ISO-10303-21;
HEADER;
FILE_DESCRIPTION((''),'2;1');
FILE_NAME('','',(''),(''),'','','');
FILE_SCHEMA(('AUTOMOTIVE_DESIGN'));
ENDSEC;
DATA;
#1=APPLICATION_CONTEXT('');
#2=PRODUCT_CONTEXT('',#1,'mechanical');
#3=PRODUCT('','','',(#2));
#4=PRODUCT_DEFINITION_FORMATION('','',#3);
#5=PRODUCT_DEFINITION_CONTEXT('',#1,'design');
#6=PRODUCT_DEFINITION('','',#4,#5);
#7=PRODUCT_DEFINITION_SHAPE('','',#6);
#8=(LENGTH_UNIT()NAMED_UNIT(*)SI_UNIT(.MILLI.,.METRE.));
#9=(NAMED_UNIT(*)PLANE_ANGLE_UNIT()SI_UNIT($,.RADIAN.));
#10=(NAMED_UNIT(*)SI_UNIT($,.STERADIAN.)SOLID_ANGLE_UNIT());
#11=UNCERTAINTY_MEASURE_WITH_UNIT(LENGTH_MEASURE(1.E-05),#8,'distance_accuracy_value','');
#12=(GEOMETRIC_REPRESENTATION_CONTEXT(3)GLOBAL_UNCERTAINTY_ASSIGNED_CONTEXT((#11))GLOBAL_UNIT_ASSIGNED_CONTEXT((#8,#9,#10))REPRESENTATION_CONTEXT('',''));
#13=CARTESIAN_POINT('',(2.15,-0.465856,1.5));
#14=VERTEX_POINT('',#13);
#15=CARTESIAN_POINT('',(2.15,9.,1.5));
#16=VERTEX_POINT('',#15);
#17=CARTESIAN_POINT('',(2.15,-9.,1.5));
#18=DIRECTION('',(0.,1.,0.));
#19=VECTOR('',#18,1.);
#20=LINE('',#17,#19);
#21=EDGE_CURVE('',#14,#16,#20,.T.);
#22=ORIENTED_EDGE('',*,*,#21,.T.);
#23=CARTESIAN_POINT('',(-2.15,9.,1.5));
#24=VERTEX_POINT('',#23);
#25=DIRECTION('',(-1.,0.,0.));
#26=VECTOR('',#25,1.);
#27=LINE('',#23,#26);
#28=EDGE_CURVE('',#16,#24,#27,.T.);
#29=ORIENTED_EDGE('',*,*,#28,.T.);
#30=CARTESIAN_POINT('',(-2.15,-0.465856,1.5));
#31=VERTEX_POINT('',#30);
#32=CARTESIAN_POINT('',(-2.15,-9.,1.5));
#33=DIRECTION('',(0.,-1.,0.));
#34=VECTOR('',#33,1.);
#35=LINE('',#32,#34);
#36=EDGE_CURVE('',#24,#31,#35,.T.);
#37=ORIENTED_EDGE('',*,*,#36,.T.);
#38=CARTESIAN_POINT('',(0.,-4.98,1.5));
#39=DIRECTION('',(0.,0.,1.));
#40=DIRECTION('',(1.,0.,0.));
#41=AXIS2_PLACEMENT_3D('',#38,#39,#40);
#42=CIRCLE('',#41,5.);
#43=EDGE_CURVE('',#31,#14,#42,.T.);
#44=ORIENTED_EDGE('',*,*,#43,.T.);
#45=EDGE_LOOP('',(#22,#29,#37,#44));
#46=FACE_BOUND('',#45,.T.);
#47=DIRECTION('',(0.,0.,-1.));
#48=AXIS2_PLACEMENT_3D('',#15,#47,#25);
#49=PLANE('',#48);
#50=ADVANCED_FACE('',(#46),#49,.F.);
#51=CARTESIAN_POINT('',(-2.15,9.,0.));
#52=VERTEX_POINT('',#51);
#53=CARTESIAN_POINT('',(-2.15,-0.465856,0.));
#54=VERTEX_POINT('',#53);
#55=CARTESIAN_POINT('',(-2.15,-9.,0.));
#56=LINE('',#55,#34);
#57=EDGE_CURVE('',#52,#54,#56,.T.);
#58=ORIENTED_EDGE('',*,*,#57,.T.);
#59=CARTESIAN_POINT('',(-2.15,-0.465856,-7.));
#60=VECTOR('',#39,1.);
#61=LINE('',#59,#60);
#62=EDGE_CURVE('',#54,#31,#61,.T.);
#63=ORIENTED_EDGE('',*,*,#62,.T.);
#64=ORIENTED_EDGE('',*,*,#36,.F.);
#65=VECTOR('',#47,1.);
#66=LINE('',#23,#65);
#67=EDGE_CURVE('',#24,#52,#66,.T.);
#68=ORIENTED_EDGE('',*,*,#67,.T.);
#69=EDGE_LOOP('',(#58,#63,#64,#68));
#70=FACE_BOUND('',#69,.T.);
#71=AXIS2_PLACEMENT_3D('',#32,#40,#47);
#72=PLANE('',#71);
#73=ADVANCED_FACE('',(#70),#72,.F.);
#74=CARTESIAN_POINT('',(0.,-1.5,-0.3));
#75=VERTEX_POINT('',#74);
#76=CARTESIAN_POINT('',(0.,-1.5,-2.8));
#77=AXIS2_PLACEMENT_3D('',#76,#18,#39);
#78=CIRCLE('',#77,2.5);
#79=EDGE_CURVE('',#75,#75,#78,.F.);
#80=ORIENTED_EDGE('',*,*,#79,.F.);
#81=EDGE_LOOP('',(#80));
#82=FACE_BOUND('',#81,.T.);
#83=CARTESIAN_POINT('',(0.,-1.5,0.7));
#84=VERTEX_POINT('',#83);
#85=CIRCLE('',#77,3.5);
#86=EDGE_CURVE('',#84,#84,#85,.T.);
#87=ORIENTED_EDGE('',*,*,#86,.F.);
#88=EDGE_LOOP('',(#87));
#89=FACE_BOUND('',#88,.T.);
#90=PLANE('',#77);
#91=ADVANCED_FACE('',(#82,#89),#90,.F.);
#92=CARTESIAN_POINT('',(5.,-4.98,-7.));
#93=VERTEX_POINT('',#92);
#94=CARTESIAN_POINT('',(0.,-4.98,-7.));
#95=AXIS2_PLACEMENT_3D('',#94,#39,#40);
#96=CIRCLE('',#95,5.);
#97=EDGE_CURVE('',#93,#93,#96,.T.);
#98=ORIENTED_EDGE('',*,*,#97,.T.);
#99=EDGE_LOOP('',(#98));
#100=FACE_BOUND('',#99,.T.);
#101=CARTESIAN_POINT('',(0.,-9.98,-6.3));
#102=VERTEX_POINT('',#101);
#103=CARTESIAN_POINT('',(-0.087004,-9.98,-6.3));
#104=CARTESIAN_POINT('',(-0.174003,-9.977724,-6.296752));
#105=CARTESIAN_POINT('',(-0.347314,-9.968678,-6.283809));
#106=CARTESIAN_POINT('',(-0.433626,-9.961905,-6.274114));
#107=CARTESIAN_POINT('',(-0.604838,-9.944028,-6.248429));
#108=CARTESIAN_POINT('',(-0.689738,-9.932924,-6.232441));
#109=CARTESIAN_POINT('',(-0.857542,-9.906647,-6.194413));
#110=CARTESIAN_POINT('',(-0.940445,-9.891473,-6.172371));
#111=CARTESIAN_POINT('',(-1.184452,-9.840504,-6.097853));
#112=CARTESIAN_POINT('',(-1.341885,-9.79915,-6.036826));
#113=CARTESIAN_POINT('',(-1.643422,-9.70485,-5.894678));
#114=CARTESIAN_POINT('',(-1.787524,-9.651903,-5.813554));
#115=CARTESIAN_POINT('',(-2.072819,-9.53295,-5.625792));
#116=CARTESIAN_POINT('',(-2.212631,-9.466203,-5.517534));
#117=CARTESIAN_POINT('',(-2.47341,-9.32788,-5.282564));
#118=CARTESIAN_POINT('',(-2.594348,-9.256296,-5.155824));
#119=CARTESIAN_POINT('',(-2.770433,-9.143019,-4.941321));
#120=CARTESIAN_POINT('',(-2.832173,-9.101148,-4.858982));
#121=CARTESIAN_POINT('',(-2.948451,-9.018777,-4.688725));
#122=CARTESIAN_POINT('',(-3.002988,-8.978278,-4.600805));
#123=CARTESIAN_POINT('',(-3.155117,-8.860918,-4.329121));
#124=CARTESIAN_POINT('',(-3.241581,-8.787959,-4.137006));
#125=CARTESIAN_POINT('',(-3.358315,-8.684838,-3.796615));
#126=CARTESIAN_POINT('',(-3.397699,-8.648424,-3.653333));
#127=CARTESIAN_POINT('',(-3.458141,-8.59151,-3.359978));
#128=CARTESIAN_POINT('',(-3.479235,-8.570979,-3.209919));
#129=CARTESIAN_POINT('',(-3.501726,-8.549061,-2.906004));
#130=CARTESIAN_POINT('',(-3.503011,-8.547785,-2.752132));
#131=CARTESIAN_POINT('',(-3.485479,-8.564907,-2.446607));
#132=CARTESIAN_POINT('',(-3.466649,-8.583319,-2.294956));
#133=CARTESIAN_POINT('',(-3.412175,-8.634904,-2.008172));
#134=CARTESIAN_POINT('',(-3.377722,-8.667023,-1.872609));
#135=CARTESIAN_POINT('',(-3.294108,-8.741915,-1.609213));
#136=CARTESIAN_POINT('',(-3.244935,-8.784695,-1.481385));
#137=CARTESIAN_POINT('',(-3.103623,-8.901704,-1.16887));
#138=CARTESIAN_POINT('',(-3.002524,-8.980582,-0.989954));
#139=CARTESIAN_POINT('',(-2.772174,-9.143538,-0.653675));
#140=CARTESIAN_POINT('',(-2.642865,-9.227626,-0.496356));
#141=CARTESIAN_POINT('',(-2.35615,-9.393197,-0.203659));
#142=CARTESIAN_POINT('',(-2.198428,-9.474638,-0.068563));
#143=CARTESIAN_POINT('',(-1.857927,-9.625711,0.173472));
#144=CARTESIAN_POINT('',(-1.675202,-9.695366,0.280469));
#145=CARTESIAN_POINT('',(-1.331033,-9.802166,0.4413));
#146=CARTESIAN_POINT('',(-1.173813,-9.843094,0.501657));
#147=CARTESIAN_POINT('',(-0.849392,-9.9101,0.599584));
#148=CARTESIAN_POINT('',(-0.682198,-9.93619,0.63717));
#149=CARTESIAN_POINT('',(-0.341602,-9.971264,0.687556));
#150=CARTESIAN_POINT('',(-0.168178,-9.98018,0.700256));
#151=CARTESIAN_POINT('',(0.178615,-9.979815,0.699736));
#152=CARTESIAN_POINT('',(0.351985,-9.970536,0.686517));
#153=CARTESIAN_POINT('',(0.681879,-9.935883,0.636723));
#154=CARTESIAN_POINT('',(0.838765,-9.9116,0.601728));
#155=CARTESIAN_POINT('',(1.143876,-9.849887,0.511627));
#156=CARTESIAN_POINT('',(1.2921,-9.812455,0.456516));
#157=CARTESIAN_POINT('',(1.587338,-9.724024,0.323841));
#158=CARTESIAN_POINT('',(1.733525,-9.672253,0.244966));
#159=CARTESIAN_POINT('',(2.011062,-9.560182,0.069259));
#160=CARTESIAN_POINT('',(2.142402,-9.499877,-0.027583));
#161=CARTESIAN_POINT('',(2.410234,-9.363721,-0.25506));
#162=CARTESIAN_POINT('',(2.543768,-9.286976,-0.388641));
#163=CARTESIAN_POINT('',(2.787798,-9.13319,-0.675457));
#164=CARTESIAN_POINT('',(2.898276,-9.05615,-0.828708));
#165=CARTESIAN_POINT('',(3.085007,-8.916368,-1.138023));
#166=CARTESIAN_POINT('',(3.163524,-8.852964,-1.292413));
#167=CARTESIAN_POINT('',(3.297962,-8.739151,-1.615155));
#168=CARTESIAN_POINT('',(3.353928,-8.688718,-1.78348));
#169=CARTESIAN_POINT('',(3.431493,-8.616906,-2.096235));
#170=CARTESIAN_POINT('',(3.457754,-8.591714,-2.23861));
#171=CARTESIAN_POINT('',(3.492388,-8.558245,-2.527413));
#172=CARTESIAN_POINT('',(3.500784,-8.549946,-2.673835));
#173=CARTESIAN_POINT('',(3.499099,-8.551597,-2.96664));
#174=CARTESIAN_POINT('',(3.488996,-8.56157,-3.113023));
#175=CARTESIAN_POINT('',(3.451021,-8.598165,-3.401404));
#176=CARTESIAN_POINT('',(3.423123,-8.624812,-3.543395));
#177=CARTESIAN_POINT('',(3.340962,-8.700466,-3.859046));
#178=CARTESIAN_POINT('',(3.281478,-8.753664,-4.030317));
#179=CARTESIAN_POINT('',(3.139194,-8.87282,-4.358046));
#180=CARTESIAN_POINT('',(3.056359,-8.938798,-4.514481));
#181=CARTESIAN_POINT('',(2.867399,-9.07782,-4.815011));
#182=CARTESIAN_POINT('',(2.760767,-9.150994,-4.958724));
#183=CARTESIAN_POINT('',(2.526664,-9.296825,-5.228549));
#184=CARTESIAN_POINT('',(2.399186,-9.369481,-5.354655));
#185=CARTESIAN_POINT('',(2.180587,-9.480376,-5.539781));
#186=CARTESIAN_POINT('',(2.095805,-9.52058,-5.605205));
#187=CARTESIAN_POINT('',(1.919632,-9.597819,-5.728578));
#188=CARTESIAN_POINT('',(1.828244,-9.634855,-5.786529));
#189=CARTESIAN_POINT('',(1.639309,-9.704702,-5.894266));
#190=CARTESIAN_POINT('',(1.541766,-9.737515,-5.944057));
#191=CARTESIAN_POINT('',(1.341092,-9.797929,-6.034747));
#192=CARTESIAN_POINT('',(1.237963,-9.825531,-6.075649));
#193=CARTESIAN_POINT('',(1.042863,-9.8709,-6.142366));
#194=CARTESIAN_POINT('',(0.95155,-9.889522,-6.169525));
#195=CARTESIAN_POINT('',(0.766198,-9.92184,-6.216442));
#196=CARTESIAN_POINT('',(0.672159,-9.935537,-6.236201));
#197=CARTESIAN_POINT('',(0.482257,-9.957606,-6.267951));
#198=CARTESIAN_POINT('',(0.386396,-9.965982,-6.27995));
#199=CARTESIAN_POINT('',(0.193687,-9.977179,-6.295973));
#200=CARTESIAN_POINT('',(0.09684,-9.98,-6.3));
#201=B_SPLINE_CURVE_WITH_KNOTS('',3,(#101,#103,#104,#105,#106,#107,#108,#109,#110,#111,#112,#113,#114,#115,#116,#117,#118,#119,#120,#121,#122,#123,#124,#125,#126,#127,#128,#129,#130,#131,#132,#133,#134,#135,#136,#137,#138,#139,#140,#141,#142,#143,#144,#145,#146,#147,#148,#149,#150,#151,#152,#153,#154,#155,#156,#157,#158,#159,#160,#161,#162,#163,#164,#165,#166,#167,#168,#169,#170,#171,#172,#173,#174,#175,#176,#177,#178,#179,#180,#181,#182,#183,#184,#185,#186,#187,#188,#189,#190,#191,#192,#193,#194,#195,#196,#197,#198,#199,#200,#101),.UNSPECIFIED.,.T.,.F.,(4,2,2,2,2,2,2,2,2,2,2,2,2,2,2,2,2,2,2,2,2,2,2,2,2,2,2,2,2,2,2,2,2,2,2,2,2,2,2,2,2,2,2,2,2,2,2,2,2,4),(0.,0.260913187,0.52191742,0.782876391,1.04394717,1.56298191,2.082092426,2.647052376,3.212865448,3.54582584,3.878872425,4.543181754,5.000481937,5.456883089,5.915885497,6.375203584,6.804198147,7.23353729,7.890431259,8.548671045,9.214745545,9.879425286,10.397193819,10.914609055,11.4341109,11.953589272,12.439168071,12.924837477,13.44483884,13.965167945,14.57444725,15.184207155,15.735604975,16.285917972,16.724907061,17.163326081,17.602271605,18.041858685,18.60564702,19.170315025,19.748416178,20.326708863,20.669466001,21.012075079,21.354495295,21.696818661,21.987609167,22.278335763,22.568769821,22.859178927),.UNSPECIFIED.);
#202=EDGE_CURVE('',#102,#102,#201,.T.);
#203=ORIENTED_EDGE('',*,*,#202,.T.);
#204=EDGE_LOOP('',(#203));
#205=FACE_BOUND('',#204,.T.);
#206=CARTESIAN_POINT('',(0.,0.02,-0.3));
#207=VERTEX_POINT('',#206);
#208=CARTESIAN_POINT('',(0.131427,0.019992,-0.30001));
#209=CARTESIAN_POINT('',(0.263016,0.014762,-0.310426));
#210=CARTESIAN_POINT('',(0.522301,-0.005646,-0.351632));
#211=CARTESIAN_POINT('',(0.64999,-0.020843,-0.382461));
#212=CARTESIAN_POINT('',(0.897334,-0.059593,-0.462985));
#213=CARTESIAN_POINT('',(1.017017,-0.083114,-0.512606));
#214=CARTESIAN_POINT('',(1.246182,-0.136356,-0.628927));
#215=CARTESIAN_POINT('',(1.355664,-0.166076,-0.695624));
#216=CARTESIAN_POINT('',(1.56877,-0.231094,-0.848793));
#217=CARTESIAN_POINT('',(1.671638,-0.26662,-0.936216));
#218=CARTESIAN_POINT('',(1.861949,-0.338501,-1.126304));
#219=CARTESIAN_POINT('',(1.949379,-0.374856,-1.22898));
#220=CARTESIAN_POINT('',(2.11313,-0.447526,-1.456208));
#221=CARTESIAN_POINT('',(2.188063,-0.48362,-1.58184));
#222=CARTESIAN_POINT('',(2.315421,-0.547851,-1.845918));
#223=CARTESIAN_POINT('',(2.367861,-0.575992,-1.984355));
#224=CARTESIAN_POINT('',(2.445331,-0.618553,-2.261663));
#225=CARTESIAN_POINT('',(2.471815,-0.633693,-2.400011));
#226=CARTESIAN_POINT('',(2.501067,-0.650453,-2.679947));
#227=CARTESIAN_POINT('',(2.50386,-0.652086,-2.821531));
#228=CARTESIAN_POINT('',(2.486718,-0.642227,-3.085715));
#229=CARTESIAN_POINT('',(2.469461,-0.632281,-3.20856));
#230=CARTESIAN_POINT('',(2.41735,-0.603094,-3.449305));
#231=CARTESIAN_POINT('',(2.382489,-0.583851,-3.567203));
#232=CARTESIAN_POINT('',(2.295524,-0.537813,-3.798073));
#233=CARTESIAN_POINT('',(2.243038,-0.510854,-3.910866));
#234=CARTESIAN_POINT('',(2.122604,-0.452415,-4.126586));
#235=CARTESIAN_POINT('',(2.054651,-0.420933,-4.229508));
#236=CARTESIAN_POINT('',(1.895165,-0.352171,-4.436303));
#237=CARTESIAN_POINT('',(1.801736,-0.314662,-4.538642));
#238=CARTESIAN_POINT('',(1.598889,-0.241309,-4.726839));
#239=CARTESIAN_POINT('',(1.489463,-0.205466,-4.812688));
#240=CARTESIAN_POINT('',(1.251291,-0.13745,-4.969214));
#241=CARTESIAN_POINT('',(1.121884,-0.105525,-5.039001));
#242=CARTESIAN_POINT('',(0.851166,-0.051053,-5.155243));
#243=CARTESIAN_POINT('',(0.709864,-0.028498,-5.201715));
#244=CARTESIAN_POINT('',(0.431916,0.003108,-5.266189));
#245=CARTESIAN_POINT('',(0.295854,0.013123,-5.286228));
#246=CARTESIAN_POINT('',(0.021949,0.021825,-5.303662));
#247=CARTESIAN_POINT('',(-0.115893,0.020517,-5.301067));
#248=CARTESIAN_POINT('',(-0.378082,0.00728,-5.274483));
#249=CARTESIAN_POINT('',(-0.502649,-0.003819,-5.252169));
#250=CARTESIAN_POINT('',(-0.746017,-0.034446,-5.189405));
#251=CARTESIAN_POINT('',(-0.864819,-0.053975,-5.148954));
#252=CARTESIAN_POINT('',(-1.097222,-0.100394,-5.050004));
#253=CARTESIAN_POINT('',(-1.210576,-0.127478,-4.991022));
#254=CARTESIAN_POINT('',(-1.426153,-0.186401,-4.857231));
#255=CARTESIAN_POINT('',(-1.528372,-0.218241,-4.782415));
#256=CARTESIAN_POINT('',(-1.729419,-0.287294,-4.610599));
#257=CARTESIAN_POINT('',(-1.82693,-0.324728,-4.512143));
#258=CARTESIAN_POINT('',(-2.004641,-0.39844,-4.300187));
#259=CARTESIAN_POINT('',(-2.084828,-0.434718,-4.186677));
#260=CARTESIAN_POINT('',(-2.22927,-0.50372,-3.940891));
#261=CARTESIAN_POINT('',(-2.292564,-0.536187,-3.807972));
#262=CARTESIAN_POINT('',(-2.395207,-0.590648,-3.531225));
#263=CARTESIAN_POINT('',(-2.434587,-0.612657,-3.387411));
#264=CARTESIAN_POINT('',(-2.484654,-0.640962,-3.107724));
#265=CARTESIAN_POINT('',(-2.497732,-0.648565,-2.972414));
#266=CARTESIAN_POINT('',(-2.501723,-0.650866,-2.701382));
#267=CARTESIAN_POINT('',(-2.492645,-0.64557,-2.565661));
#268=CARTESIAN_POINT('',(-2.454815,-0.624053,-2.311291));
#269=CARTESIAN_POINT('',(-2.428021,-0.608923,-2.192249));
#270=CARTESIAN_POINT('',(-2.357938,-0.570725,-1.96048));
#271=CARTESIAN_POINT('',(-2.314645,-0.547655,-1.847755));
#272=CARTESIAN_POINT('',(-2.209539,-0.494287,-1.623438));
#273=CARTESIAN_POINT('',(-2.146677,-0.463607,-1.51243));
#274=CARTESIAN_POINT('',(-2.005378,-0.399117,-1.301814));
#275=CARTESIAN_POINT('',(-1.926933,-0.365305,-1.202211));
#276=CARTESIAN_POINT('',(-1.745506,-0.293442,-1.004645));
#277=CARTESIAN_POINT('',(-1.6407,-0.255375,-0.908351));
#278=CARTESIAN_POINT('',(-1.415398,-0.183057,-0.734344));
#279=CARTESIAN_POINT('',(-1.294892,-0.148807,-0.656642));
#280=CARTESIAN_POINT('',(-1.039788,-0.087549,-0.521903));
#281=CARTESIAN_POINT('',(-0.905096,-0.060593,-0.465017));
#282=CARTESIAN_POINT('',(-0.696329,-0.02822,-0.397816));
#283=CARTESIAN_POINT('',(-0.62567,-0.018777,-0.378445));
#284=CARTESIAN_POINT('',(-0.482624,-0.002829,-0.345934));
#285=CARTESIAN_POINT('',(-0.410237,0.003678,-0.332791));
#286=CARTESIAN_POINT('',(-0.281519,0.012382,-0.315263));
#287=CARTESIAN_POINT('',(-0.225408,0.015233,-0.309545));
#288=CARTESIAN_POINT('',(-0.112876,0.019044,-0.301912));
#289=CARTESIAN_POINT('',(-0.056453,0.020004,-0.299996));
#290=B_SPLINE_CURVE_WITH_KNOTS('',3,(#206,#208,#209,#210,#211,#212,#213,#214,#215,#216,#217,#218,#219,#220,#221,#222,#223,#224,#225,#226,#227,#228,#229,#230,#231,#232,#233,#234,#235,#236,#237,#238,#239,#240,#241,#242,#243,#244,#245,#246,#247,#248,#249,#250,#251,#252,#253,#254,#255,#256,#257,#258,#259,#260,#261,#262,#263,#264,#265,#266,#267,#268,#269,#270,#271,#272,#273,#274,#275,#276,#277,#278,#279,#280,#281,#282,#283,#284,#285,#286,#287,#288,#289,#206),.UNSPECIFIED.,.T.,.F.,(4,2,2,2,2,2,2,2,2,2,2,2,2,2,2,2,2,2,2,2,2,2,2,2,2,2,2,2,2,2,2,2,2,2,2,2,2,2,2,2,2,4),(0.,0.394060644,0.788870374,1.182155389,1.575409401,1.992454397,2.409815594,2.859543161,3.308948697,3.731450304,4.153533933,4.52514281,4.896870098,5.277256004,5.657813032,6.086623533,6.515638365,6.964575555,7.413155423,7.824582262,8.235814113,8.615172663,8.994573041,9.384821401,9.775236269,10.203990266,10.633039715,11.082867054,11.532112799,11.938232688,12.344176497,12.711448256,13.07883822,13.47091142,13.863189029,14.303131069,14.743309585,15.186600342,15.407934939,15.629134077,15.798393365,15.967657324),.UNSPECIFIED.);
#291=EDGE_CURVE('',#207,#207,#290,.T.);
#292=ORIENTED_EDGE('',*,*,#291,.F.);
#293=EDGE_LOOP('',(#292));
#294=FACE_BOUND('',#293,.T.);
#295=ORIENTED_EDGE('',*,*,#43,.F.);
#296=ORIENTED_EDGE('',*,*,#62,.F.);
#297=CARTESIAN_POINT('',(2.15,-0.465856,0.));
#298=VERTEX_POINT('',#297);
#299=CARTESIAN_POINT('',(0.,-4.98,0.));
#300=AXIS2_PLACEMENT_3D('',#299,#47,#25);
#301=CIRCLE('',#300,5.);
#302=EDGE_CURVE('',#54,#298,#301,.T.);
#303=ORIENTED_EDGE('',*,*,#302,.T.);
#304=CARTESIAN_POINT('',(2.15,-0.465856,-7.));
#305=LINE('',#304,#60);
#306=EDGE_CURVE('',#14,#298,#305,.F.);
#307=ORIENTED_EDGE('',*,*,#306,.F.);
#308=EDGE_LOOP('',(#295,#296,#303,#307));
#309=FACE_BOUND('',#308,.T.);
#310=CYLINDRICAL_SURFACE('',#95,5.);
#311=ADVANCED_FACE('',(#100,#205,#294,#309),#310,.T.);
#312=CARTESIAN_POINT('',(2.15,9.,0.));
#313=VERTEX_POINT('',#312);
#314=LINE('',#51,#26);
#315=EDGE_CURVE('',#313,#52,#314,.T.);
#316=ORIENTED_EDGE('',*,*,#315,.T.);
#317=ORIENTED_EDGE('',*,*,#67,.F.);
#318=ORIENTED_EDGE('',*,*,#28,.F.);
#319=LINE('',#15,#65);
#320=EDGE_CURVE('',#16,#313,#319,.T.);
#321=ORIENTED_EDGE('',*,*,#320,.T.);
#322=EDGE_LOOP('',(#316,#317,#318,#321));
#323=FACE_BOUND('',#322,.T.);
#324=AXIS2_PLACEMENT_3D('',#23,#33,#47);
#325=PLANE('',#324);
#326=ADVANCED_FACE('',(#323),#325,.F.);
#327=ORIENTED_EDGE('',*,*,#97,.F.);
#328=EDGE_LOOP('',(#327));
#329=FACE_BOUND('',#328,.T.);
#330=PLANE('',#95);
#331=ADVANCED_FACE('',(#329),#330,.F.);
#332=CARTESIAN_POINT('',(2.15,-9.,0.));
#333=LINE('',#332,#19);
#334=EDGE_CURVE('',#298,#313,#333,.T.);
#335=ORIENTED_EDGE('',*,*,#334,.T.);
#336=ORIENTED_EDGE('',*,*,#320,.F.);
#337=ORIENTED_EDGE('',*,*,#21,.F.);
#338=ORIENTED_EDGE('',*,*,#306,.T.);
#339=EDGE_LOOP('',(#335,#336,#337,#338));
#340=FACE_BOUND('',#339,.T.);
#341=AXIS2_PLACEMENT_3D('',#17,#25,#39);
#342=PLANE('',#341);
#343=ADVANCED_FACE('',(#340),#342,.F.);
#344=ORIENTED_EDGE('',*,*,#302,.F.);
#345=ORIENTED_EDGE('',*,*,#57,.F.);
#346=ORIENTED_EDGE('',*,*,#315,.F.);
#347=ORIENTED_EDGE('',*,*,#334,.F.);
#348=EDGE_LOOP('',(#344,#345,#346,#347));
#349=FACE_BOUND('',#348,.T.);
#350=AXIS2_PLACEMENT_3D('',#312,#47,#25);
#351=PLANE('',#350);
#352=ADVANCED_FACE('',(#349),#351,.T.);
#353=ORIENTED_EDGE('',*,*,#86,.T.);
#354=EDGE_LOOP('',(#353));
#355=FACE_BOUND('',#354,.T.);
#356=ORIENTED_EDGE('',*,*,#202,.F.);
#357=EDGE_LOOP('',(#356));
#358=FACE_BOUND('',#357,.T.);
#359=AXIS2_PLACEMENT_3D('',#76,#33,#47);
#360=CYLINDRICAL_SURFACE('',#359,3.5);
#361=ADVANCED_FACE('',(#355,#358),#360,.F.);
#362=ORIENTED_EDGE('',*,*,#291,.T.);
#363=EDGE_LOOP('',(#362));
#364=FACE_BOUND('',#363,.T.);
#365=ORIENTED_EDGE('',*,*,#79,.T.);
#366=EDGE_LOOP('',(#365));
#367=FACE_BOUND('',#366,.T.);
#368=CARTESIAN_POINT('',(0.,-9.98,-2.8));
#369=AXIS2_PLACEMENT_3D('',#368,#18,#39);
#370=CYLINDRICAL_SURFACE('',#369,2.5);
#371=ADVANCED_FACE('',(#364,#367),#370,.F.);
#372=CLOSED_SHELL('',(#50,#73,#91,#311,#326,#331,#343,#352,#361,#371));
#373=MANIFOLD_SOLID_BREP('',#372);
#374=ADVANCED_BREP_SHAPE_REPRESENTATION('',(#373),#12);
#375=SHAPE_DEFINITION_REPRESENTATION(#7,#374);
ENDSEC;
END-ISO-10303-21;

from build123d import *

# Parameters (mm, degrees)
SKETCH_1_W               = 4.3
SKETCH_1_H               = 18
EXTRUDE_1_DEPTH          = 1.5
SKETCH_4_W               = 4.3
SKETCH_4_H               = 1.948435562
CUT_EXTRUDE_1_DEPTH      = 10.374033283
SKETCH_2_R               = 5
EXTRUDE_2_DEPTH          = 8.5
SKETCH_5_R               = 2.5
CUT_EXTRUDE_2_DEPTH      = 21.838435642
CUT_EXTRUDE_3_DEPTH      = 2.5
CUT_EXTRUDE_3_DEPTH_BACK = 10
SKETCH_6_R               = 3.5


with BuildPart() as part:
    # 草图1 → 凸台-拉伸1 (new body)
    with BuildSketch(Plane.XY):
        Rectangle(SKETCH_1_W, SKETCH_1_H)
    extrude(amount=EXTRUDE_1_DEPTH)

    # 草图4 → 切除-拉伸1 (cut, through all)
    with BuildSketch(Plane(origin=(0, 0, 0), x_dir=(-1, 0, 0), z_dir=(0, 0, -1))):
        with Locations((0, -8.025782219)):
            Rectangle(SKETCH_4_W, SKETCH_4_H)
    extrude(amount=-CUT_EXTRUDE_1_DEPTH, mode=Mode.SUBTRACT)

    # 草图2 → 凸台-拉伸2 (add)
    with BuildSketch(Plane.XY.offset(1.5)):
        with Locations((0, -4.98)):
            Circle(SKETCH_2_R)
    extrude(amount=-EXTRUDE_2_DEPTH)

    # 草图5 → 切除-拉伸2 (cut, through all)
    with BuildSketch(Plane(origin=(0, 9, 0), x_dir=(1, 0, 0), z_dir=(0, 1, 0))):
        with Locations(Location((0, 2.8, 0), (0, 0, 270))):
            Circle(SKETCH_5_R)
    extrude(amount=-CUT_EXTRUDE_2_DEPTH, mode=Mode.SUBTRACT)

    # 草图6 → 切除-拉伸3 (cut, two sides: drawn at the far end of the back side and taken through both)
    with BuildSketch(Plane(origin=(0, -4, 0), x_dir=(1, 0, 0), z_dir=(0, 1, 0)).offset(-CUT_EXTRUDE_3_DEPTH_BACK)):
        with Locations(Location((0, 2.8, 0), (0, 0, 90))):
            Circle(SKETCH_6_R)
    extrude(amount=CUT_EXTRUDE_3_DEPTH + CUT_EXTRUDE_3_DEPTH_BACK, mode=Mode.SUBTRACT)


solid = part.part
